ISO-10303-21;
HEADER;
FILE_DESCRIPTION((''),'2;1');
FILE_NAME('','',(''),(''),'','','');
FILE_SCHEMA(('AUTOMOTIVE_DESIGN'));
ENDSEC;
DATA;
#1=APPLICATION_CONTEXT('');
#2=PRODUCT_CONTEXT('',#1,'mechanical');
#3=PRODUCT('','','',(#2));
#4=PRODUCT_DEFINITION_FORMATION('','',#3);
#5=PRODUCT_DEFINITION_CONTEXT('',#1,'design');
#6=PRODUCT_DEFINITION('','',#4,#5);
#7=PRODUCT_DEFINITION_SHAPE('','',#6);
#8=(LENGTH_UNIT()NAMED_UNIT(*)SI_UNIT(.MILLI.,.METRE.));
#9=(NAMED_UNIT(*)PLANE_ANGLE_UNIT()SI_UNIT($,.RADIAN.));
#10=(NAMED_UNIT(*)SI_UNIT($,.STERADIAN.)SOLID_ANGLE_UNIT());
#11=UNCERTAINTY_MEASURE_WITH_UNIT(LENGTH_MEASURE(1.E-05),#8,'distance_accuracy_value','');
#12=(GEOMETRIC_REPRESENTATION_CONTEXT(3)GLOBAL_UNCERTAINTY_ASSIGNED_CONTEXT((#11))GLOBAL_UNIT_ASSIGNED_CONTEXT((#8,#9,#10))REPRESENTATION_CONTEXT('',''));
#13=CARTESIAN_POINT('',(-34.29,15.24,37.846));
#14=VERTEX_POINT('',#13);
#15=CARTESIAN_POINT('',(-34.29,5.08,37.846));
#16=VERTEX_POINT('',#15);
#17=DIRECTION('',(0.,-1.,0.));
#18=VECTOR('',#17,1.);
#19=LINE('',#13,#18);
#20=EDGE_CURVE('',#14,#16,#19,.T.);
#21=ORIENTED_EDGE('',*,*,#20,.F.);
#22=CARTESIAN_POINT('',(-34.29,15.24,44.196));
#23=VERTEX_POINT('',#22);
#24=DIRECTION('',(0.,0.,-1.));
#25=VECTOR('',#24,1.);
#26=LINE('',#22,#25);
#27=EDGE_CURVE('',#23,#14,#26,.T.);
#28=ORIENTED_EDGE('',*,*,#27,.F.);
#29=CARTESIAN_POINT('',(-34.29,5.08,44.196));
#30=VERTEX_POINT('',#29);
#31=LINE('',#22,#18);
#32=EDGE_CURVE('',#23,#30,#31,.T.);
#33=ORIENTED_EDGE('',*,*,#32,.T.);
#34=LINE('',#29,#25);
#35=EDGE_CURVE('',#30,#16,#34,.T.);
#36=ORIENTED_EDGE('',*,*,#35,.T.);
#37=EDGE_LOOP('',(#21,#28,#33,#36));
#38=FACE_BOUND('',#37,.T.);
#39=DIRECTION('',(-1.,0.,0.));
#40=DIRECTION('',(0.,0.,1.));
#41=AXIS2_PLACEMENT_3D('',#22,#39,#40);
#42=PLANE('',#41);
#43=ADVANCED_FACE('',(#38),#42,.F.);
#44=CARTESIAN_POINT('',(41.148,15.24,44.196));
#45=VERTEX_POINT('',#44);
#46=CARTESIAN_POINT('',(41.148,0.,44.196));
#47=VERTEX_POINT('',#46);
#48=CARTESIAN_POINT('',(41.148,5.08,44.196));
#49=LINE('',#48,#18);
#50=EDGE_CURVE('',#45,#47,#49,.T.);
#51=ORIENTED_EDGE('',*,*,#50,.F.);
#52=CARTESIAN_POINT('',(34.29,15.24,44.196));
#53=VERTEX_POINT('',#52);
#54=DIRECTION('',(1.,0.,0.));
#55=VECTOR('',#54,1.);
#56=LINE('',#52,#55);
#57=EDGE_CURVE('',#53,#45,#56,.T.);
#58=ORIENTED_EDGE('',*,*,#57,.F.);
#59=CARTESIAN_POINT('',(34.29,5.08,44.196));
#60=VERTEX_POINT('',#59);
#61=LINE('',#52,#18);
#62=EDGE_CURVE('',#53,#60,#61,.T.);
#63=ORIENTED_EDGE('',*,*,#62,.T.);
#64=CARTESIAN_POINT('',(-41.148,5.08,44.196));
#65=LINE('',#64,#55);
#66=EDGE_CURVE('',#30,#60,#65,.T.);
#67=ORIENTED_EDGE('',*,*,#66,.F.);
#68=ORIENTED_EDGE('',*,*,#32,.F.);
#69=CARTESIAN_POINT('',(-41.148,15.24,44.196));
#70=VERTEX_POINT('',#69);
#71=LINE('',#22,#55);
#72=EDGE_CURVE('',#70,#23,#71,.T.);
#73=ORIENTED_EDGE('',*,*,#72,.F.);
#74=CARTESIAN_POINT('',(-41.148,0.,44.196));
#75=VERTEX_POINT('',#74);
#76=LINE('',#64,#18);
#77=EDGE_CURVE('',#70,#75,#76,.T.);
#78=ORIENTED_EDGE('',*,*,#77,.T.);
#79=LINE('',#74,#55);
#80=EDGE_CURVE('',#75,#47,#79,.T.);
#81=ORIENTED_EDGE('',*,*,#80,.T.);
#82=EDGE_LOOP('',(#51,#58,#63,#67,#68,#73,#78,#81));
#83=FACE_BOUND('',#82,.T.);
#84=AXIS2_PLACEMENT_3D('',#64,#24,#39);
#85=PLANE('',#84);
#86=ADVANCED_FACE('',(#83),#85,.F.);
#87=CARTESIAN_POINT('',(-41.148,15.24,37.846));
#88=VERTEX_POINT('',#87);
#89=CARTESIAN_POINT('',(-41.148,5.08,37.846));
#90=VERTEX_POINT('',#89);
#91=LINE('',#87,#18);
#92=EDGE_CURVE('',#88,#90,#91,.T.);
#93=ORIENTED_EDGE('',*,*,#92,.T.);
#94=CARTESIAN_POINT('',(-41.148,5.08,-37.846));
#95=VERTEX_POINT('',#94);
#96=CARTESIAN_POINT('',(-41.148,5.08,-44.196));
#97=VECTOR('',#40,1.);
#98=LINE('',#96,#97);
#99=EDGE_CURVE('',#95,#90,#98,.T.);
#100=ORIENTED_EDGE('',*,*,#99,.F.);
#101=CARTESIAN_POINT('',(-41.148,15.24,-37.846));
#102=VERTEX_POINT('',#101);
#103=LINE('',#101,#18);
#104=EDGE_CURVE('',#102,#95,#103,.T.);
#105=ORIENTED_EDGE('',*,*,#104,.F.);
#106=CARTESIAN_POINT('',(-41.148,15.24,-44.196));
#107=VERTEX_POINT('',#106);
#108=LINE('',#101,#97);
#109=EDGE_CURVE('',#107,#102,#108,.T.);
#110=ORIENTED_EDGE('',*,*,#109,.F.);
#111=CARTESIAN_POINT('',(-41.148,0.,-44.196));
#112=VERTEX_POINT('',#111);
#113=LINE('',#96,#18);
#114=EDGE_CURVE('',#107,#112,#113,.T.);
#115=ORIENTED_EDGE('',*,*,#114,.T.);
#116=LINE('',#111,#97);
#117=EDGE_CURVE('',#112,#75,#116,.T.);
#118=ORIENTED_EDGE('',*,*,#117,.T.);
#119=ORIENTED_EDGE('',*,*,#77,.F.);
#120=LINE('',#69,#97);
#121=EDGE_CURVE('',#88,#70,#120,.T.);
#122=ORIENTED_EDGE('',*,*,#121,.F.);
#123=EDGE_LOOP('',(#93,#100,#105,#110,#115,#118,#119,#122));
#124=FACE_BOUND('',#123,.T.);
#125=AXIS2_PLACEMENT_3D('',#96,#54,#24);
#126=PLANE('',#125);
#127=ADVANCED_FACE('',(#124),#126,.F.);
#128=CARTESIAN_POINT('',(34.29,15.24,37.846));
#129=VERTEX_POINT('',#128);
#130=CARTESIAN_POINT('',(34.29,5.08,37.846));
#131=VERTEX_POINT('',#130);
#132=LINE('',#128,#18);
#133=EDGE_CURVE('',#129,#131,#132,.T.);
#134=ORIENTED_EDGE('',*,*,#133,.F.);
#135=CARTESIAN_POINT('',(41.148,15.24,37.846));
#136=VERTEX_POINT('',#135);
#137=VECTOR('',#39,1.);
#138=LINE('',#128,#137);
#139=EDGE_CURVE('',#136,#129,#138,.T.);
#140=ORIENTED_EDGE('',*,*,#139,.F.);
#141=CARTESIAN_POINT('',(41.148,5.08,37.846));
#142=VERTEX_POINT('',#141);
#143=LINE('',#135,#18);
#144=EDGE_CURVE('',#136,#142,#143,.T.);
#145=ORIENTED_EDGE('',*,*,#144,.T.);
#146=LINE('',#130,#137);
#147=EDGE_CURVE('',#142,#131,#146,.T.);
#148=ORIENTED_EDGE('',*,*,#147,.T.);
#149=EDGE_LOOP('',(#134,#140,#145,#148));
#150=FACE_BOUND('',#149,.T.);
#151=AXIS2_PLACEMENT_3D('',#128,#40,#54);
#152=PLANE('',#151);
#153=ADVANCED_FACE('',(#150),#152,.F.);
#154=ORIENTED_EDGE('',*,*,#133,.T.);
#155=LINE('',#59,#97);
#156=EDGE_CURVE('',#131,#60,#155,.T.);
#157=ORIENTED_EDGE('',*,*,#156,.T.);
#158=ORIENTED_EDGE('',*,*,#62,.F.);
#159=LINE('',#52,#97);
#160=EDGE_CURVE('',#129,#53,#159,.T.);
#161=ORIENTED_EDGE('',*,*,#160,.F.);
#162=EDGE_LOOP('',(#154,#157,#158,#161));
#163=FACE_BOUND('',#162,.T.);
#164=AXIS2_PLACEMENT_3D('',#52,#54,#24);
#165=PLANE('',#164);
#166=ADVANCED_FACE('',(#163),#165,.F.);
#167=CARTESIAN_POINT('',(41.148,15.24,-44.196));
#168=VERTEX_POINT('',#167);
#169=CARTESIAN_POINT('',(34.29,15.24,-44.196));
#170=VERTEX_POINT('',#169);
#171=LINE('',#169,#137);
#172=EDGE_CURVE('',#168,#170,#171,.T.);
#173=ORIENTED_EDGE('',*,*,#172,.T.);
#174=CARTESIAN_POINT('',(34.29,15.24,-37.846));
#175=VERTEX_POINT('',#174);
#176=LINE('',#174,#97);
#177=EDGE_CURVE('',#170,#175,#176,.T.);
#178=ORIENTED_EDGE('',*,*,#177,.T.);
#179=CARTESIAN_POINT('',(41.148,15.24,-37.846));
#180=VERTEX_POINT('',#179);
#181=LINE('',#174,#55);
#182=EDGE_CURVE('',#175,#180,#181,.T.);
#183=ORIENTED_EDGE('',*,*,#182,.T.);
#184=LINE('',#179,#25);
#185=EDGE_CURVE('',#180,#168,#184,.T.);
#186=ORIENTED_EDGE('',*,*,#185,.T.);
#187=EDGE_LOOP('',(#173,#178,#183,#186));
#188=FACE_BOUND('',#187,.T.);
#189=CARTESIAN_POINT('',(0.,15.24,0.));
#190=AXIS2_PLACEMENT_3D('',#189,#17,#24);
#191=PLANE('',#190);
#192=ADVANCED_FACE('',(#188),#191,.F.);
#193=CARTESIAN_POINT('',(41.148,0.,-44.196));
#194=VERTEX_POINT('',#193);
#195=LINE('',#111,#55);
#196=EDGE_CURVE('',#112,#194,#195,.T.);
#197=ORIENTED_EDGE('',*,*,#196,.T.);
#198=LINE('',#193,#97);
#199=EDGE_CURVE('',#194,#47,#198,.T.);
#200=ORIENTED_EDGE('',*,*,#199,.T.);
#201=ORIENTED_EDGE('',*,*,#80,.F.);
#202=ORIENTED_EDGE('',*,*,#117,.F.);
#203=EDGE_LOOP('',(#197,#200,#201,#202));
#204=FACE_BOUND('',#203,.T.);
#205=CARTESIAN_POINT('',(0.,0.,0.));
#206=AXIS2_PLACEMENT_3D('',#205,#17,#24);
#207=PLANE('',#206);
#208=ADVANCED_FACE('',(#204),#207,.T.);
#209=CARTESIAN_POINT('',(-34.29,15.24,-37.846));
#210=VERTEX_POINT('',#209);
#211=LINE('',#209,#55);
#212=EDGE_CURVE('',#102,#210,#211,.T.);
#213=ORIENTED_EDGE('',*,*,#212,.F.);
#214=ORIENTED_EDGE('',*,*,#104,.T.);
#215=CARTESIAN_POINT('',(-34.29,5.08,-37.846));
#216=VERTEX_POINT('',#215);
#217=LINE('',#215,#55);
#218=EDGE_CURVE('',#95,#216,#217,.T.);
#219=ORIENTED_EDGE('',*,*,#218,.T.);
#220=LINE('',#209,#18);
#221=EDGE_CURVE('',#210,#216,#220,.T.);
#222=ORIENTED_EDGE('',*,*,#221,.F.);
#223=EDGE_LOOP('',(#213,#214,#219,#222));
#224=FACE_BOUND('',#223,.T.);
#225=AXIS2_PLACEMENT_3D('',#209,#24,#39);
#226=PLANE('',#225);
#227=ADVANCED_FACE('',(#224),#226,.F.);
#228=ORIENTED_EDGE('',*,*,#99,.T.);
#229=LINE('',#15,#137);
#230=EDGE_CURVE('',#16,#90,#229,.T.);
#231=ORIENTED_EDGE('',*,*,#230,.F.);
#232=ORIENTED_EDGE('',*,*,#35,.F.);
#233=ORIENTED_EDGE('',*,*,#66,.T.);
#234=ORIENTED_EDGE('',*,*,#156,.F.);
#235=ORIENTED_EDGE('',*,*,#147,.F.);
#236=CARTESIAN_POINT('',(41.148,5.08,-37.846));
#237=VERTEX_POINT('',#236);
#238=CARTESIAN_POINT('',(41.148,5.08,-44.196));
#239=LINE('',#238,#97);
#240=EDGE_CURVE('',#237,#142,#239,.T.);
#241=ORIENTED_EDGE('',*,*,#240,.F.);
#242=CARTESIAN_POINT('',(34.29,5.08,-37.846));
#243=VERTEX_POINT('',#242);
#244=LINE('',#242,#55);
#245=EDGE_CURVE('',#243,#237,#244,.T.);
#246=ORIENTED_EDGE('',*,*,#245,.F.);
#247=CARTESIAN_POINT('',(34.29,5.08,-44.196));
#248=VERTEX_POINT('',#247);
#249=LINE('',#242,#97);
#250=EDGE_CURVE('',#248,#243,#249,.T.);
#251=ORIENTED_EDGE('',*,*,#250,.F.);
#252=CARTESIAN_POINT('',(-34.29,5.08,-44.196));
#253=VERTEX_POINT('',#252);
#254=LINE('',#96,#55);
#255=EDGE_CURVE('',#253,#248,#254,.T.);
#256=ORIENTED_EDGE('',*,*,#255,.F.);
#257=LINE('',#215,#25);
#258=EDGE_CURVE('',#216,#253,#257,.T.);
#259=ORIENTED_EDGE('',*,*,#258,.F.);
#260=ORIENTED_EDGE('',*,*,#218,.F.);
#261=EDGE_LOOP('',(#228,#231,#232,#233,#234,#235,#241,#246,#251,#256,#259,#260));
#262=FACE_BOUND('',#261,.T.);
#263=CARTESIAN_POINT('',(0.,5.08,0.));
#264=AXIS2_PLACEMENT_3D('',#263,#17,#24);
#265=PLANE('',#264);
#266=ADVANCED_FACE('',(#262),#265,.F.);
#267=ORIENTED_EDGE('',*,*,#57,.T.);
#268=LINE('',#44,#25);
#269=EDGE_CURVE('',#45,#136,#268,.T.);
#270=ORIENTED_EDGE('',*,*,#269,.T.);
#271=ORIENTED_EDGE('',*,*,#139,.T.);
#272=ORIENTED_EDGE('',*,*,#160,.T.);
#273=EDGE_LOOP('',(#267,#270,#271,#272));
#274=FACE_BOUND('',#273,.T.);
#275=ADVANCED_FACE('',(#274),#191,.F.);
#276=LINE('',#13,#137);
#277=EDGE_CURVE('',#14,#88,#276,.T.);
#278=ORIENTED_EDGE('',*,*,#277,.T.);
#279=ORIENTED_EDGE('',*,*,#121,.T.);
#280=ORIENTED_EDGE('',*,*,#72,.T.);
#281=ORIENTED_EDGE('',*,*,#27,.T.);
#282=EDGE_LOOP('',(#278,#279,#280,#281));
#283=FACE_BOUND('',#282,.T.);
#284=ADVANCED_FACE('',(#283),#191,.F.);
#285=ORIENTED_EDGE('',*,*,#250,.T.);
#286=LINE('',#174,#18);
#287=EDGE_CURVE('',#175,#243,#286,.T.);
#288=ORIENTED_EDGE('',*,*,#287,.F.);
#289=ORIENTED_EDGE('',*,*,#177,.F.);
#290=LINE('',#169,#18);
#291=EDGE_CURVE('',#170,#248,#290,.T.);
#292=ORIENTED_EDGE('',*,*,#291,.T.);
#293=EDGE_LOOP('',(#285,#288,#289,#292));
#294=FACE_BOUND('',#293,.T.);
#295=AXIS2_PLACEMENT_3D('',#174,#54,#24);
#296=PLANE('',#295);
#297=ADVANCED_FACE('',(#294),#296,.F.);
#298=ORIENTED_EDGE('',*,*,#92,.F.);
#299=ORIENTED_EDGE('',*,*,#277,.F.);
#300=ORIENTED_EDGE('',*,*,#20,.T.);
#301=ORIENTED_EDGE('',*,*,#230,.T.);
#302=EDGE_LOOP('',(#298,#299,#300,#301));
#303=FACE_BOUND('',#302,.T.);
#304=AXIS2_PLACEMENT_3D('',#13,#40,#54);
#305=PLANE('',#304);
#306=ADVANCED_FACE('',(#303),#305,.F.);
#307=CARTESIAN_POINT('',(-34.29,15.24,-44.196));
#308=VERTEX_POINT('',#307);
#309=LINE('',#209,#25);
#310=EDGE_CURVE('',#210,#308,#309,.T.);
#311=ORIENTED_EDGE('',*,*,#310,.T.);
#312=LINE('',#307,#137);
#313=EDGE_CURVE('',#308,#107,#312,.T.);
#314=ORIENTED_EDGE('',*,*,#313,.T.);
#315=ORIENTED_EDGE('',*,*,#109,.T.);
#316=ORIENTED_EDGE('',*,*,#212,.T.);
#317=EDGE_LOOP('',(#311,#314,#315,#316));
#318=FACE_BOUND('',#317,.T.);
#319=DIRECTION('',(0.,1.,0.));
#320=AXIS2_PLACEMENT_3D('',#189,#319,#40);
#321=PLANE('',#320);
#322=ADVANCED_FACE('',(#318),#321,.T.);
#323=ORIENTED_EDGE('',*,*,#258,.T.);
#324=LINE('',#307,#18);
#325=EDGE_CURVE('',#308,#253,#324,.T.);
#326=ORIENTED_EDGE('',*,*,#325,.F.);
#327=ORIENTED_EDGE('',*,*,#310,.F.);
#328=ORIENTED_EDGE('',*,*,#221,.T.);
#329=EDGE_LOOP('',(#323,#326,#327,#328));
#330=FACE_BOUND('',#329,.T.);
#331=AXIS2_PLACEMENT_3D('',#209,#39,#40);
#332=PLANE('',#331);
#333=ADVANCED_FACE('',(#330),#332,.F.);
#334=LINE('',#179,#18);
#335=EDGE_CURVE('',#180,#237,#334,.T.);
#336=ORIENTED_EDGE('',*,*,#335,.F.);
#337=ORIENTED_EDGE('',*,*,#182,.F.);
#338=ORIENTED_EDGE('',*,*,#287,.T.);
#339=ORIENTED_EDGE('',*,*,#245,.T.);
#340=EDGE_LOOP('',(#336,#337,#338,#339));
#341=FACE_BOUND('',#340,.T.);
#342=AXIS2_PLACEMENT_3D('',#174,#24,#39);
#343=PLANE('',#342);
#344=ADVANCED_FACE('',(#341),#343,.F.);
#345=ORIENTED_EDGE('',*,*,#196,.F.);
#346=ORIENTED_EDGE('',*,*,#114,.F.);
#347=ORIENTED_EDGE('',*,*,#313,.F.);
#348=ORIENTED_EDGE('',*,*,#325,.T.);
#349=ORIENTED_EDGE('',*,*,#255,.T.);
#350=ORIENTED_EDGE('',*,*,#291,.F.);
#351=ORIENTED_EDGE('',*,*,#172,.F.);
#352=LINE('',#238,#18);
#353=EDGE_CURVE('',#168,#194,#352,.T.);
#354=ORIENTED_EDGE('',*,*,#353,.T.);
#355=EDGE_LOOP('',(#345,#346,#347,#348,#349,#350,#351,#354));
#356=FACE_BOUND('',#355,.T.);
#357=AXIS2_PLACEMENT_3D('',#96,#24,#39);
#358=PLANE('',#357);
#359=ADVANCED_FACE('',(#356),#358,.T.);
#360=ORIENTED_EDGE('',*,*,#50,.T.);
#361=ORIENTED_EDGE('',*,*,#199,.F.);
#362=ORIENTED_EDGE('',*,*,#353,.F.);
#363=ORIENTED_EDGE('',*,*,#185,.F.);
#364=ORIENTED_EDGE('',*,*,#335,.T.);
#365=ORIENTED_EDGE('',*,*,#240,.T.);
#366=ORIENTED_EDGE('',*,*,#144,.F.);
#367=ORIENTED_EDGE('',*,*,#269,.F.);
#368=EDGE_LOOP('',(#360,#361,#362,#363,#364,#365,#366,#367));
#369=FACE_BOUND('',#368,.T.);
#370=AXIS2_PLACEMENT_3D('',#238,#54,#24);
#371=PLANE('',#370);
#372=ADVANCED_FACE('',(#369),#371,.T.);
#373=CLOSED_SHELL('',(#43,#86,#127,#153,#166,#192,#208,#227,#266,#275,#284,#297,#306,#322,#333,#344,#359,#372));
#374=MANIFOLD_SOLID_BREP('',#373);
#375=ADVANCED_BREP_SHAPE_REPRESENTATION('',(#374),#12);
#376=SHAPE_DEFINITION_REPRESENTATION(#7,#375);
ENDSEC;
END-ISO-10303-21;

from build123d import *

# Parameters (mm, degrees)
SKETCH2_4_W         = 82.296
SKETCH2_4_H         = 88.392
BOSS_EXTRUDE3_DEPTH = 5.08
SKETCH5_W           = 6.858
SKETCH5_H           = 6.35
BOSS_EXTRUDE4_DEPTH = 10.16


with BuildPart() as part:
    # Sketch2<4> → Boss-Extrude3 (new body)
    with BuildSketch(Plane(origin=(0, 0, 0), x_dir=(1, 0, 0), z_dir=(0, 1, 0))):
        Rectangle(SKETCH2_4_W, SKETCH2_4_H)
    extrude(amount=BOSS_EXTRUDE3_DEPTH)

    # Sketch5 → Boss-Extrude4 (add)
    with BuildSketch(Plane(origin=(0, 5.08, 0), x_dir=(1, 0, 0), z_dir=(0, 1, 0))):
        with Locations((-37.719, -41.021)):
            Rectangle(SKETCH5_W, SKETCH5_H)
        with Locations((-37.719, 41.021)):
            Rectangle(SKETCH5_W, SKETCH5_H)
        with Locations((37.719, -41.021)):
            Rectangle(SKETCH5_W, SKETCH5_H)
        with Locations((37.719, 41.021)):
            Rectangle(SKETCH5_W, SKETCH5_H)
    extrude(amount=BOSS_EXTRUDE4_DEPTH)


solid = part.part
